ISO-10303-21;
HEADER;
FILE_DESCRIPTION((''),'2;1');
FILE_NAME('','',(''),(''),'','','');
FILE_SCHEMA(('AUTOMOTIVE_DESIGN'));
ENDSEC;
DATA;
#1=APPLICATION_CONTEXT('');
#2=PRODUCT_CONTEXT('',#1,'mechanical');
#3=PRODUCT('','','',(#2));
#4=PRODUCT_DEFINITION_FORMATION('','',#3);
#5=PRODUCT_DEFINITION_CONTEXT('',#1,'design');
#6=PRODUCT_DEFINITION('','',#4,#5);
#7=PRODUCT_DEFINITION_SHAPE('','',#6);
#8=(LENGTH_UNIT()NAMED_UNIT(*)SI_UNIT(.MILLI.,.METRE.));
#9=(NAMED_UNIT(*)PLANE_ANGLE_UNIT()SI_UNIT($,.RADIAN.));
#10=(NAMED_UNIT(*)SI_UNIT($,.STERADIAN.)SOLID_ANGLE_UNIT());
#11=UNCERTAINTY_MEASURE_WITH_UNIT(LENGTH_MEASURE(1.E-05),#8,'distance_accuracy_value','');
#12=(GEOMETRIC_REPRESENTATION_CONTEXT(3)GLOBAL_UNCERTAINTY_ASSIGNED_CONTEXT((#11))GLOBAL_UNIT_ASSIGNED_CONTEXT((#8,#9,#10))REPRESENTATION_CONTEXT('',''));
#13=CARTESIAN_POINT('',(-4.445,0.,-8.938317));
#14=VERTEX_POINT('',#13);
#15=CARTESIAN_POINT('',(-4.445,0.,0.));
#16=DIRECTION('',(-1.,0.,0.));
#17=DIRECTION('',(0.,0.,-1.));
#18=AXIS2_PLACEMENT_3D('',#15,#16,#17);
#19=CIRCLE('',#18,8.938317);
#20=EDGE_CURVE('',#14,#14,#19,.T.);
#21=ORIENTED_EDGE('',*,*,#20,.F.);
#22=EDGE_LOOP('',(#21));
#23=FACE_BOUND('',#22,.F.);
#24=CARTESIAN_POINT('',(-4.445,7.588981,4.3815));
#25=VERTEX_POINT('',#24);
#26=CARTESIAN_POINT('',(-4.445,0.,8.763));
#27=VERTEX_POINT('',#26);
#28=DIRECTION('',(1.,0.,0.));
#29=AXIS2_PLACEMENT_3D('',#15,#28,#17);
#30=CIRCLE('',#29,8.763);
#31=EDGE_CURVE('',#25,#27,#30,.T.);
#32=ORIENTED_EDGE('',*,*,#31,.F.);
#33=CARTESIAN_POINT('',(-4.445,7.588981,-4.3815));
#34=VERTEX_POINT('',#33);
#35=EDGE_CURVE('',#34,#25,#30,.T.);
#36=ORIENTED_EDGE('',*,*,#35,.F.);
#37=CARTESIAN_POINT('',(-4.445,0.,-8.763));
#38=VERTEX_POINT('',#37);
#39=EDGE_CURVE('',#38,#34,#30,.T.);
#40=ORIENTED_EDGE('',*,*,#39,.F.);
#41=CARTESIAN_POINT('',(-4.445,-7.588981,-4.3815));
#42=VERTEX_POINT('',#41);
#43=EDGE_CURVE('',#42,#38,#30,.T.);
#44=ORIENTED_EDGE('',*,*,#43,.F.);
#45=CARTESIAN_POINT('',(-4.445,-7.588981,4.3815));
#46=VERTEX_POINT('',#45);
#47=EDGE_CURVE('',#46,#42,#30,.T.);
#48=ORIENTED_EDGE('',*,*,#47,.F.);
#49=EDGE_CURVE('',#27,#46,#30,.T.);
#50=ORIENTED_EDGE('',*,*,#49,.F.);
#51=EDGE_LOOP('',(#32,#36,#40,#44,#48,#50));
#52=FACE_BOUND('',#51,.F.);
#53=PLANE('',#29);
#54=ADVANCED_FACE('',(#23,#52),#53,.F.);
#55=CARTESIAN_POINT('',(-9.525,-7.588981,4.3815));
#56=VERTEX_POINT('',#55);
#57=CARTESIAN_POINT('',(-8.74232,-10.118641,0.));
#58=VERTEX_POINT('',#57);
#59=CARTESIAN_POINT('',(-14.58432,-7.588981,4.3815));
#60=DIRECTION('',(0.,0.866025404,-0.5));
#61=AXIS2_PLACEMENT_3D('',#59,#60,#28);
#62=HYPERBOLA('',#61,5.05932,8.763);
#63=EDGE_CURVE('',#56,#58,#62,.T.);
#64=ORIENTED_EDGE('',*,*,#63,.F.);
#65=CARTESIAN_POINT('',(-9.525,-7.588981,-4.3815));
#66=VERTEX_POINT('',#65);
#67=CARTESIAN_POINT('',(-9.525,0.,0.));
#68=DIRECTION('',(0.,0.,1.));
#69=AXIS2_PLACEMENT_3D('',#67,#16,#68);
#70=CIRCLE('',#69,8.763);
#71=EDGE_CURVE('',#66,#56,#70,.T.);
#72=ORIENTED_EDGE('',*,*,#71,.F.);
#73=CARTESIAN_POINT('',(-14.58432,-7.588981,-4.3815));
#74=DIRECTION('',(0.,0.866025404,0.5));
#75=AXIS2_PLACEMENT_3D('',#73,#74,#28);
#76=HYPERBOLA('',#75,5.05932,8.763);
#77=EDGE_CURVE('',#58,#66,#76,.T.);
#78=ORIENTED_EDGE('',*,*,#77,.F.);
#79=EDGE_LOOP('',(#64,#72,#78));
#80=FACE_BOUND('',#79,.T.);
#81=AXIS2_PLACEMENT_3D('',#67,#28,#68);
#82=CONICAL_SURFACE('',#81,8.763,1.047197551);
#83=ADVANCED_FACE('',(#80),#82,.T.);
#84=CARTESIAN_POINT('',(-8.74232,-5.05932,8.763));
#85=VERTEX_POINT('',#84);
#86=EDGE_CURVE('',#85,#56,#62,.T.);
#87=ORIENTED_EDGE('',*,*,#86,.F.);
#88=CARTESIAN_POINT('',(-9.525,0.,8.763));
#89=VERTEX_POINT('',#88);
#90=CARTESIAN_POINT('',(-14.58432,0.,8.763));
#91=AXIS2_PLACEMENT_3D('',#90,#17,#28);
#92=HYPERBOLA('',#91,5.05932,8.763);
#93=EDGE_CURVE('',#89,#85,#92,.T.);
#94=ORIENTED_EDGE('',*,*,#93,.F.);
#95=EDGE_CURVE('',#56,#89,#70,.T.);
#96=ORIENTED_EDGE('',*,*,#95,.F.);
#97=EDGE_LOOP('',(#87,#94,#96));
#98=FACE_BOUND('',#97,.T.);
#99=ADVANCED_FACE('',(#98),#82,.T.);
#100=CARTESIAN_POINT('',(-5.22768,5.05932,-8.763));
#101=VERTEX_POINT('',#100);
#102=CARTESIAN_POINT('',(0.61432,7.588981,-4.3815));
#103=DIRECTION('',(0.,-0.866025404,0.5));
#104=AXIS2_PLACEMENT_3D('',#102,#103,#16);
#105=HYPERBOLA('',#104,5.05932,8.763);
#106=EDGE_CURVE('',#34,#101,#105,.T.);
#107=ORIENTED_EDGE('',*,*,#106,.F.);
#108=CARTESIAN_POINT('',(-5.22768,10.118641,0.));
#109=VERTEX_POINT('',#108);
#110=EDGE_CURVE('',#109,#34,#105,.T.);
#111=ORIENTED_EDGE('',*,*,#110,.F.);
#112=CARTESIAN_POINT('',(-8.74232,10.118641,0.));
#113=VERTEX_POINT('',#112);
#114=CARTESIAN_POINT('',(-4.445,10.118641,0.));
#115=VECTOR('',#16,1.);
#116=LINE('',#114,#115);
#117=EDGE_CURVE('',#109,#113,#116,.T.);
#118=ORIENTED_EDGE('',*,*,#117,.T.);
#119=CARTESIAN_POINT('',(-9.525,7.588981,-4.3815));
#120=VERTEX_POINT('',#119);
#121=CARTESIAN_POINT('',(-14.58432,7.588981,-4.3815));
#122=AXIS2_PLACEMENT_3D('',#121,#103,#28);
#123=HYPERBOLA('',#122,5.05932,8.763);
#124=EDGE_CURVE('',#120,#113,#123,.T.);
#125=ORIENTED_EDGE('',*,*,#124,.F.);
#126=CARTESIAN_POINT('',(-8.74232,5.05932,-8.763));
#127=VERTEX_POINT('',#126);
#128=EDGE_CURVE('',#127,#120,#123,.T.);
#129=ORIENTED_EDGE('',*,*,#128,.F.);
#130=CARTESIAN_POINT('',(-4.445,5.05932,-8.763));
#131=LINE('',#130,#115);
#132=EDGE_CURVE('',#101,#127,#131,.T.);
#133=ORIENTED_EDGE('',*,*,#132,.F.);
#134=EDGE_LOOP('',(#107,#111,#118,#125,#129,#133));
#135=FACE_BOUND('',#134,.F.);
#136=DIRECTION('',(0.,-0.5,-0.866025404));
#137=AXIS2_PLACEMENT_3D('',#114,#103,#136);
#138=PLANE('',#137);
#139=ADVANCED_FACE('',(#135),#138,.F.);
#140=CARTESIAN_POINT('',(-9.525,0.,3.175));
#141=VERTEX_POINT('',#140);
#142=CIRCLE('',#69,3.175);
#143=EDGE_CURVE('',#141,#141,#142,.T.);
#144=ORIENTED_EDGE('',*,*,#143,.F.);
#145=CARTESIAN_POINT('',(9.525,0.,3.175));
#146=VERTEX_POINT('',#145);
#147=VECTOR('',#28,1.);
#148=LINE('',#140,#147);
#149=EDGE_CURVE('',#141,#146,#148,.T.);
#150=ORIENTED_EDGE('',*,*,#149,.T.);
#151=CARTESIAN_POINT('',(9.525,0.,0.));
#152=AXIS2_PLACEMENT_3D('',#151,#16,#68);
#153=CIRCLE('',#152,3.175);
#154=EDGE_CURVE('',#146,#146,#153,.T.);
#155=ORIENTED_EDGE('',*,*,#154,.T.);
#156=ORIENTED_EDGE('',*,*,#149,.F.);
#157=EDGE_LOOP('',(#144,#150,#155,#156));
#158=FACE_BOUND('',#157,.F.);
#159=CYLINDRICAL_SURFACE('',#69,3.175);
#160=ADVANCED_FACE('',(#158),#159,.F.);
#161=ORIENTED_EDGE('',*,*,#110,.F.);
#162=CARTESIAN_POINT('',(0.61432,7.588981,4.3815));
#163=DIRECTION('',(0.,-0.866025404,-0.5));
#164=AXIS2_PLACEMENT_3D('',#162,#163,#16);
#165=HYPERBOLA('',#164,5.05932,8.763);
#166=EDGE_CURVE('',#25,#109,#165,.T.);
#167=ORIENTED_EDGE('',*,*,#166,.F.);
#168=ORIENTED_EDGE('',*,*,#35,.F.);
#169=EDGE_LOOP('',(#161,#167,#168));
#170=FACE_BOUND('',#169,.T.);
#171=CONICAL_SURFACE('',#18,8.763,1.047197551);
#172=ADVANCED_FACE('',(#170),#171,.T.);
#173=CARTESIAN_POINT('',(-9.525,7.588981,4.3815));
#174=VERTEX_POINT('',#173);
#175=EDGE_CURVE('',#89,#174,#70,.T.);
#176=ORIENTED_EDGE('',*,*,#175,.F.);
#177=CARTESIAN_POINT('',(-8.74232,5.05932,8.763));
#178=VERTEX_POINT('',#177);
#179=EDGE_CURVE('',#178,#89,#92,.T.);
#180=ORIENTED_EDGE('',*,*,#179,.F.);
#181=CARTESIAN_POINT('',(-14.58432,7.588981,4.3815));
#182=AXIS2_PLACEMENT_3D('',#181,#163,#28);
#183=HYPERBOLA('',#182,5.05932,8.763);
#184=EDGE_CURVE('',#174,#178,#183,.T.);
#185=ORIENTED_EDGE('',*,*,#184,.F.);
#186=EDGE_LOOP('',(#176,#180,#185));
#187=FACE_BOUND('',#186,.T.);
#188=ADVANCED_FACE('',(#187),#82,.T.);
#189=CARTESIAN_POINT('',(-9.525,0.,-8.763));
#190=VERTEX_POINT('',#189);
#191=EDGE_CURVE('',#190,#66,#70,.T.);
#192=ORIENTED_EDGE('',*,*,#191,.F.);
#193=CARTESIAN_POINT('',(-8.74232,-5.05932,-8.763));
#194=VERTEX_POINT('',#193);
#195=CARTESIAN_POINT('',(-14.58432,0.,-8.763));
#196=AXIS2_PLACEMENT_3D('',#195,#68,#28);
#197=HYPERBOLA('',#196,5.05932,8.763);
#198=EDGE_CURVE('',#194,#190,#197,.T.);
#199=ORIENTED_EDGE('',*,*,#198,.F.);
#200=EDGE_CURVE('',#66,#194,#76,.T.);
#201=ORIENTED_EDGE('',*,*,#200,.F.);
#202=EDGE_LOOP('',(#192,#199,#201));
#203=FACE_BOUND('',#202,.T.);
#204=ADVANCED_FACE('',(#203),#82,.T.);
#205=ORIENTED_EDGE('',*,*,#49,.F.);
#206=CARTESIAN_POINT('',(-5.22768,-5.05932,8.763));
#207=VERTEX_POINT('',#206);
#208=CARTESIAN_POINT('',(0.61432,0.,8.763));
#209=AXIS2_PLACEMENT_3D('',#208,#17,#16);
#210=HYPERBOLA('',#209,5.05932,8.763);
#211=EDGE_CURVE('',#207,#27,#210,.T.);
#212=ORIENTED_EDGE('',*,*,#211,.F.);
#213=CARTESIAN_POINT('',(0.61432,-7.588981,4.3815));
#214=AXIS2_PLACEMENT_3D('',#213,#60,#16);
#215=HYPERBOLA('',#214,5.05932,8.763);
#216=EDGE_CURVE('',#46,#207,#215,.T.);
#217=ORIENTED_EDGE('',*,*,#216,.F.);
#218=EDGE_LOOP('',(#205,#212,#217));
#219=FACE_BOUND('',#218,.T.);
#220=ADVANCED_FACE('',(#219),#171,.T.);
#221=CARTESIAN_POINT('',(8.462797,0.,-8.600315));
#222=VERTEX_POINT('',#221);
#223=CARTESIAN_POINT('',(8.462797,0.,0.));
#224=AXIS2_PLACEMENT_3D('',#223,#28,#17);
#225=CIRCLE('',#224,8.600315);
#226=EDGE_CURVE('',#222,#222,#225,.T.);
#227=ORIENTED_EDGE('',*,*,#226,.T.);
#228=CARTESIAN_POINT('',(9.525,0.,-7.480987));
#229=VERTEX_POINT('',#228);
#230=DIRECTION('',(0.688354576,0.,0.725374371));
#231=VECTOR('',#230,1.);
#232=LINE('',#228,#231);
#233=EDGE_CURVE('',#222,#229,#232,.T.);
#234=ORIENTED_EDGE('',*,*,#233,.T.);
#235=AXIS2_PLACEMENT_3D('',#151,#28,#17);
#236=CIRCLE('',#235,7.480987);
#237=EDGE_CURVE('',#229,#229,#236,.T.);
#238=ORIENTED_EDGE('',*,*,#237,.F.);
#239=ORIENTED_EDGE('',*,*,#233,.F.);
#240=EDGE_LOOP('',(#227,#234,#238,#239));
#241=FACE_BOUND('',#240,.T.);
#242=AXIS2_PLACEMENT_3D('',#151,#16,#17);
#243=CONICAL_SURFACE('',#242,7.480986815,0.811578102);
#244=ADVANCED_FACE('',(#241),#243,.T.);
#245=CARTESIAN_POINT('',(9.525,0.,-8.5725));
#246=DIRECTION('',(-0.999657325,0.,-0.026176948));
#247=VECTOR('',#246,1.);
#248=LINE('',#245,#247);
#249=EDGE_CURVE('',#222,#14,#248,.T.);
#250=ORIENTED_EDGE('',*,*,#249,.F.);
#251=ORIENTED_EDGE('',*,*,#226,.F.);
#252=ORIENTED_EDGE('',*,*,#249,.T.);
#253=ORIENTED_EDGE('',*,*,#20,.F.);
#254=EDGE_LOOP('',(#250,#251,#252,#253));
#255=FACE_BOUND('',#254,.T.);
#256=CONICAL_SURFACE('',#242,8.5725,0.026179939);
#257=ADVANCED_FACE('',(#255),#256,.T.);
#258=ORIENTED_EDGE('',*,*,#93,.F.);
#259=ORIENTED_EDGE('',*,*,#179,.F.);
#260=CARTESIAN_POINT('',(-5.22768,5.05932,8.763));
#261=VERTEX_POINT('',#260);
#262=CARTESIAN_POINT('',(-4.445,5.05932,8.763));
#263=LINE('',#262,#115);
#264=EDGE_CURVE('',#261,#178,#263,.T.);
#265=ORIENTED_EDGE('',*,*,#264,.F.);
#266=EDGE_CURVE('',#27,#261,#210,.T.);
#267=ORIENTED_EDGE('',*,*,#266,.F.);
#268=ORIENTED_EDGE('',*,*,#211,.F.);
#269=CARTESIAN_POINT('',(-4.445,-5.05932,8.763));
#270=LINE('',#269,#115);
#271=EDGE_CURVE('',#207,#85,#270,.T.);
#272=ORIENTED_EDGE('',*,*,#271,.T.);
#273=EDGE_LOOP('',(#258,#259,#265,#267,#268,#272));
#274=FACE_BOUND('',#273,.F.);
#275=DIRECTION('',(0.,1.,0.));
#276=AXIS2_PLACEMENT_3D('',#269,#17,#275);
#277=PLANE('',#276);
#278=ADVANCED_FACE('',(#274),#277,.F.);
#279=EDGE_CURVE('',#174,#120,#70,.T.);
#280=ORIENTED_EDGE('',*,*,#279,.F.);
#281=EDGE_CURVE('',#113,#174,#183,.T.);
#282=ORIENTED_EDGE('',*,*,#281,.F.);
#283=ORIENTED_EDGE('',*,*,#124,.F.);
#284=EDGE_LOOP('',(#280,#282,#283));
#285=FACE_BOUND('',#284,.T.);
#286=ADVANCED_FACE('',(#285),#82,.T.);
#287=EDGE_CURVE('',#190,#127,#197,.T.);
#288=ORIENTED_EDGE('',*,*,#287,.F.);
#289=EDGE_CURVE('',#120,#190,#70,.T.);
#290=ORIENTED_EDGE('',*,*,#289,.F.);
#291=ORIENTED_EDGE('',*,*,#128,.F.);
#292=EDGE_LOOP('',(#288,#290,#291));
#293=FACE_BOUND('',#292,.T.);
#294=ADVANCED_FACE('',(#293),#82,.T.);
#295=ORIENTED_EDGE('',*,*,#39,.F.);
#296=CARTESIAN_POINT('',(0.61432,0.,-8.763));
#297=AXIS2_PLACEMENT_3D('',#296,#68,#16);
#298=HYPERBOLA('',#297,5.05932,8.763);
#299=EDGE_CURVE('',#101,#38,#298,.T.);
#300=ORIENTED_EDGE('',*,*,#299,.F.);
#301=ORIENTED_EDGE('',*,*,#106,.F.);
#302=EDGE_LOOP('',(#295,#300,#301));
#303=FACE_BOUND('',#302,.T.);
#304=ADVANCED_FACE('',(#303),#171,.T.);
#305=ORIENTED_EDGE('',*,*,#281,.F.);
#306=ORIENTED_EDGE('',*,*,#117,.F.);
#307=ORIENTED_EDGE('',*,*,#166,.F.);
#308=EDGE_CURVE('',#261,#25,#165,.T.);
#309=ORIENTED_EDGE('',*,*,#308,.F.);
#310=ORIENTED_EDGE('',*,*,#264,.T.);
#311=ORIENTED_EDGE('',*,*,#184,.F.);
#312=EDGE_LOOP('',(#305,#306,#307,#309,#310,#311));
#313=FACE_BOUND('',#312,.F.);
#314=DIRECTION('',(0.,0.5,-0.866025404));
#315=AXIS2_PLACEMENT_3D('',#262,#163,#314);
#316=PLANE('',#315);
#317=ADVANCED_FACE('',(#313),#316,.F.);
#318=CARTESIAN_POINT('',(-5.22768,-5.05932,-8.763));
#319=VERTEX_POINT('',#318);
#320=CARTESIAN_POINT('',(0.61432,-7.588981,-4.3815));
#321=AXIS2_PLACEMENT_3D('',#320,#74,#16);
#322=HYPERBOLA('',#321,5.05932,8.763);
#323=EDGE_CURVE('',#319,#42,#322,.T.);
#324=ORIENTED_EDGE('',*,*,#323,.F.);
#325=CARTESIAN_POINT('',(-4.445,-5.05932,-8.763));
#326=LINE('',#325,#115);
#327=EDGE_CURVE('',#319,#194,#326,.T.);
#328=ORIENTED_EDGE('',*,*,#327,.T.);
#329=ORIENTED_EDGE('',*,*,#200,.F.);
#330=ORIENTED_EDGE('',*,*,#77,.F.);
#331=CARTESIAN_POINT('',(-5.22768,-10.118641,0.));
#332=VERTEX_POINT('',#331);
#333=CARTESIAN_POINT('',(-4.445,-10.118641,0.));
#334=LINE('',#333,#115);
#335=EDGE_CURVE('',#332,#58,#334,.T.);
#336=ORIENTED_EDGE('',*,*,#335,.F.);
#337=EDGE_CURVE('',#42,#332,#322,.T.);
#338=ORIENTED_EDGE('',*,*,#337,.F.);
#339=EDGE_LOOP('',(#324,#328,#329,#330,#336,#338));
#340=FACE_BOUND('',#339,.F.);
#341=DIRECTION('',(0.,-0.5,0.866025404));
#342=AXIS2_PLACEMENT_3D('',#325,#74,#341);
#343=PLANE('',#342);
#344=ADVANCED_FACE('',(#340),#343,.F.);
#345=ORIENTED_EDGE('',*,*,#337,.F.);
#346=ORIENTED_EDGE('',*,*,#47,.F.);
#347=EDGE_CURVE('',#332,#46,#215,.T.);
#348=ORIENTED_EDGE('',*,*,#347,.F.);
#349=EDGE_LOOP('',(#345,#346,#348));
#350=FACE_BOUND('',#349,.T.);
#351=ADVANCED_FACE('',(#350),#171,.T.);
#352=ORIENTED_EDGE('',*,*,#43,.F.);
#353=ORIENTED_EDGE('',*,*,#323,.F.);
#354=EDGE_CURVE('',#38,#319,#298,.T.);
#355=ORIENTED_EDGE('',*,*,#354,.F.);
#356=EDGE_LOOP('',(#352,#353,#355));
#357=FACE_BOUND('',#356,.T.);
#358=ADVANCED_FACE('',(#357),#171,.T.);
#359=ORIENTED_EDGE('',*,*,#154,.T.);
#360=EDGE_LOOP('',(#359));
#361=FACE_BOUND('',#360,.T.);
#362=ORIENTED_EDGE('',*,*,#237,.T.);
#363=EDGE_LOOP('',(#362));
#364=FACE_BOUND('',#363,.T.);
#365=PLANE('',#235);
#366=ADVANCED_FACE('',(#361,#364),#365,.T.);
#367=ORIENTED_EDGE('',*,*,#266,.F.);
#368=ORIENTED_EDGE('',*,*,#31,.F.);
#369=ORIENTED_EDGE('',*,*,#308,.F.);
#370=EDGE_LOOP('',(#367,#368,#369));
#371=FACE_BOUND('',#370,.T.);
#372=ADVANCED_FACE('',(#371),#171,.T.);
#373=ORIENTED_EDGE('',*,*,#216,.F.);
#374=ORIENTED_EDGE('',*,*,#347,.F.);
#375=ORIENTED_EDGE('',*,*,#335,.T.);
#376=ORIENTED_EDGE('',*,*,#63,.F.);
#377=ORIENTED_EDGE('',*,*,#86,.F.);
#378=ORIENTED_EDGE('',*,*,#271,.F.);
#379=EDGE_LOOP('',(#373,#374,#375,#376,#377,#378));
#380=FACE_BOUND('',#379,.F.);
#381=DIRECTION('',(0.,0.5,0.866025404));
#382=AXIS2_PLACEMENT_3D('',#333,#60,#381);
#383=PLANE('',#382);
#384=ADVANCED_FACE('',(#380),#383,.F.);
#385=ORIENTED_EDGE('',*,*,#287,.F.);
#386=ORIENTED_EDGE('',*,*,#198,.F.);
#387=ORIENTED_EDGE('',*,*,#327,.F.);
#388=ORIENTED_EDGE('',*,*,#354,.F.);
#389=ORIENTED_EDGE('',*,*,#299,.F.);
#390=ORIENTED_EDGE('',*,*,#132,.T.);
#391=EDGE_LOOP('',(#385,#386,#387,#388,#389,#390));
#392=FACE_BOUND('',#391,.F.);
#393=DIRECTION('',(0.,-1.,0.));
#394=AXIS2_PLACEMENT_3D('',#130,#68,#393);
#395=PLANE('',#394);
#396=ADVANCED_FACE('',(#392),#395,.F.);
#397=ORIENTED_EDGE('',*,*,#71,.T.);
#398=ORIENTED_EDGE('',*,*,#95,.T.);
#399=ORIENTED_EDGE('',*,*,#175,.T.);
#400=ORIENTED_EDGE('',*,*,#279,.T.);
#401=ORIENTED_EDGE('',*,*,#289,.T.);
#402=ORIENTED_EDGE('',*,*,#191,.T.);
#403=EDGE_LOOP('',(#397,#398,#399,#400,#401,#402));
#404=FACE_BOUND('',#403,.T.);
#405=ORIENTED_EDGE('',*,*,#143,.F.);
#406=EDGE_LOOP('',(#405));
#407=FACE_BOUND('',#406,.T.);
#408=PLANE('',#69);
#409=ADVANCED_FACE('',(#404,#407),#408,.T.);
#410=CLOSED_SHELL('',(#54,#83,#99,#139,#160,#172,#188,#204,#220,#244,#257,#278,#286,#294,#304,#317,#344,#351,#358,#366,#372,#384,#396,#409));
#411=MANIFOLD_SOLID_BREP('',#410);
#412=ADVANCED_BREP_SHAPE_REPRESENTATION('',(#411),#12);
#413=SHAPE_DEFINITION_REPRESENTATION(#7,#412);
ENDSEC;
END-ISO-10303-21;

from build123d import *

# Parameters (mm, degrees)
SKETCH2_R          = 8.5725
EXTRUDE1_DEPTH     = 13.97
EXTRUDE1_DRAFT     = 1.5
CHAMFER1_SIZE      = 1.062566667
CHAMFER1_SIZE2     = 1.091513185
EXTRUDE2_DEPTH     = 5.08
SKETCH12_OUTSIDE_W = 110.834
SKETCH12_OUTSIDE_H = 113.196
SKETCH12_OUTSIDE_R = 8.763
CUT_EXTRUDE6_DEPTH = 24.349152203
CUT_EXTRUDE6_DRAFT = -60
SKETCH13_OUTSIDE_W = 97.25
SKETCH13_OUTSIDE_H = 99.612
SKETCH13_OUTSIDE_R = 8.763
CUT_EXTRUDE7_DEPTH = 20.42784879
CUT_EXTRUDE7_DRAFT = -60
SKETCH16_R         = 3.175
CUT_EXTRUDE8_DEPTH = 24.349152203


with BuildPart() as part:
    # Sketch2 → Extrude1 (with draft: the straight prism first)
    with BuildSketch(Plane(origin=(9.525, 0, 0), x_dir=(0, 0, -1), z_dir=(1, 0, 0))):
        Circle(SKETCH2_R)
    extrude(amount=-EXTRUDE1_DEPTH)
    # Extrude1: the draft: its side faces are tilted about the plane it starts from
    extrude1_sides = [part.faces().sort_by_distance(p)[0] for p in [
        (2.54, 0, 8.5725),
    ]]
    draft(extrude1_sides, Plane(origin=(9.525, 0, 0), x_dir=(0, 0, -1), z_dir=(1, 0, 0)), EXTRUDE1_DRAFT)

    # Chamfer1
    chamfer1_edges = [part.edges().sort_by_distance(p)[0] for p in [
        (9.525, 0, 8.5725),
    ]]
    chamfer1_side = [part.faces().sort_by_distance(p)[0] for p in [
        (2.54, 0, 8.755408662),
    ]]
    chamfer(chamfer1_edges, length=CHAMFER1_SIZE, length2=CHAMFER1_SIZE2, reference=chamfer1_side[0])

    # Sketch5 → Extrude2 (add)
    with BuildSketch(Plane.ZY.offset(4.445)):
        Polygon((0, 10.118640818), (-8.763, 5.059320409), (-8.763, -5.059320409), (0, -10.118640818), (8.763, -5.059320409), (8.763, 5.059320409), align=None)
    extrude(amount=EXTRUDE2_DEPTH)


with BuildPart() as cut_extrude6_tool:
    # Sketch12 outside → Cut-Extrude6 (with draft: the straight prism first)
    with BuildSketch(Plane.ZY.offset(9.525)):
        Rectangle(SKETCH12_OUTSIDE_W, SKETCH12_OUTSIDE_H)
        Circle(SKETCH12_OUTSIDE_R, mode=Mode.SUBTRACT)
    extrude(amount=-CUT_EXTRUDE6_DEPTH)
    # Cut-Extrude6: the draft: its side faces are tilted about the plane it starts from
    cut_extrude6_sides = [cut_extrude6_tool.faces().sort_by_distance(p)[0] for p in [
        (2.649576101, -56.598, 0),
        (2.649576101, 0, 55.417),
        (2.649576101, 56.598, 0),
        (2.649576101, 0, -55.417),
        (2.649576101, 0, -8.763),
    ]]
    draft(cut_extrude6_sides, Plane.ZY.offset(9.525), CUT_EXTRUDE6_DRAFT)


with BuildPart() as part_1:
    add(part.part)

    # Cut-Extrude6: cut by cut_extrude6_tool
    add(cut_extrude6_tool.part, mode=Mode.SUBTRACT)


with BuildPart() as cut_extrude7_tool:
    # Sketch13 outside → Cut-Extrude7 (with draft: the straight prism first)
    with BuildSketch(Plane(origin=(-4.445, 0, 0), x_dir=(0, 0, -1), z_dir=(1, 0, 0))):
        Rectangle(SKETCH13_OUTSIDE_W, SKETCH13_OUTSIDE_H)
        Circle(SKETCH13_OUTSIDE_R, mode=Mode.SUBTRACT)
    extrude(amount=-CUT_EXTRUDE7_DEPTH)
    # Cut-Extrude7: the draft: its side faces are tilted about the plane it starts from
    cut_extrude7_sides = [cut_extrude7_tool.faces().sort_by_distance(p)[0] for p in [
        (-14.658924395, -49.806, 0),
        (-14.658924395, 0, -48.625),
        (-14.658924395, 49.806, 0),
        (-14.658924395, 0, 48.625),
        (-14.658924395, 0, 8.763),
    ]]
    draft(cut_extrude7_sides, Plane(origin=(-4.445, 0, 0), x_dir=(0, 0, -1), z_dir=(1, 0, 0)), CUT_EXTRUDE7_DRAFT)


with BuildPart() as part_2:
    add(part_1.part)

    # Cut-Extrude7: cut by cut_extrude7_tool
    add(cut_extrude7_tool.part, mode=Mode.SUBTRACT)

    # Sketch16 → Cut-Extrude8 (cut, through all)
    with BuildSketch(Plane.ZY.offset(9.525)):
        Circle(SKETCH16_R)
    extrude(amount=-CUT_EXTRUDE8_DEPTH, mode=Mode.SUBTRACT)


solid = part_2.part
